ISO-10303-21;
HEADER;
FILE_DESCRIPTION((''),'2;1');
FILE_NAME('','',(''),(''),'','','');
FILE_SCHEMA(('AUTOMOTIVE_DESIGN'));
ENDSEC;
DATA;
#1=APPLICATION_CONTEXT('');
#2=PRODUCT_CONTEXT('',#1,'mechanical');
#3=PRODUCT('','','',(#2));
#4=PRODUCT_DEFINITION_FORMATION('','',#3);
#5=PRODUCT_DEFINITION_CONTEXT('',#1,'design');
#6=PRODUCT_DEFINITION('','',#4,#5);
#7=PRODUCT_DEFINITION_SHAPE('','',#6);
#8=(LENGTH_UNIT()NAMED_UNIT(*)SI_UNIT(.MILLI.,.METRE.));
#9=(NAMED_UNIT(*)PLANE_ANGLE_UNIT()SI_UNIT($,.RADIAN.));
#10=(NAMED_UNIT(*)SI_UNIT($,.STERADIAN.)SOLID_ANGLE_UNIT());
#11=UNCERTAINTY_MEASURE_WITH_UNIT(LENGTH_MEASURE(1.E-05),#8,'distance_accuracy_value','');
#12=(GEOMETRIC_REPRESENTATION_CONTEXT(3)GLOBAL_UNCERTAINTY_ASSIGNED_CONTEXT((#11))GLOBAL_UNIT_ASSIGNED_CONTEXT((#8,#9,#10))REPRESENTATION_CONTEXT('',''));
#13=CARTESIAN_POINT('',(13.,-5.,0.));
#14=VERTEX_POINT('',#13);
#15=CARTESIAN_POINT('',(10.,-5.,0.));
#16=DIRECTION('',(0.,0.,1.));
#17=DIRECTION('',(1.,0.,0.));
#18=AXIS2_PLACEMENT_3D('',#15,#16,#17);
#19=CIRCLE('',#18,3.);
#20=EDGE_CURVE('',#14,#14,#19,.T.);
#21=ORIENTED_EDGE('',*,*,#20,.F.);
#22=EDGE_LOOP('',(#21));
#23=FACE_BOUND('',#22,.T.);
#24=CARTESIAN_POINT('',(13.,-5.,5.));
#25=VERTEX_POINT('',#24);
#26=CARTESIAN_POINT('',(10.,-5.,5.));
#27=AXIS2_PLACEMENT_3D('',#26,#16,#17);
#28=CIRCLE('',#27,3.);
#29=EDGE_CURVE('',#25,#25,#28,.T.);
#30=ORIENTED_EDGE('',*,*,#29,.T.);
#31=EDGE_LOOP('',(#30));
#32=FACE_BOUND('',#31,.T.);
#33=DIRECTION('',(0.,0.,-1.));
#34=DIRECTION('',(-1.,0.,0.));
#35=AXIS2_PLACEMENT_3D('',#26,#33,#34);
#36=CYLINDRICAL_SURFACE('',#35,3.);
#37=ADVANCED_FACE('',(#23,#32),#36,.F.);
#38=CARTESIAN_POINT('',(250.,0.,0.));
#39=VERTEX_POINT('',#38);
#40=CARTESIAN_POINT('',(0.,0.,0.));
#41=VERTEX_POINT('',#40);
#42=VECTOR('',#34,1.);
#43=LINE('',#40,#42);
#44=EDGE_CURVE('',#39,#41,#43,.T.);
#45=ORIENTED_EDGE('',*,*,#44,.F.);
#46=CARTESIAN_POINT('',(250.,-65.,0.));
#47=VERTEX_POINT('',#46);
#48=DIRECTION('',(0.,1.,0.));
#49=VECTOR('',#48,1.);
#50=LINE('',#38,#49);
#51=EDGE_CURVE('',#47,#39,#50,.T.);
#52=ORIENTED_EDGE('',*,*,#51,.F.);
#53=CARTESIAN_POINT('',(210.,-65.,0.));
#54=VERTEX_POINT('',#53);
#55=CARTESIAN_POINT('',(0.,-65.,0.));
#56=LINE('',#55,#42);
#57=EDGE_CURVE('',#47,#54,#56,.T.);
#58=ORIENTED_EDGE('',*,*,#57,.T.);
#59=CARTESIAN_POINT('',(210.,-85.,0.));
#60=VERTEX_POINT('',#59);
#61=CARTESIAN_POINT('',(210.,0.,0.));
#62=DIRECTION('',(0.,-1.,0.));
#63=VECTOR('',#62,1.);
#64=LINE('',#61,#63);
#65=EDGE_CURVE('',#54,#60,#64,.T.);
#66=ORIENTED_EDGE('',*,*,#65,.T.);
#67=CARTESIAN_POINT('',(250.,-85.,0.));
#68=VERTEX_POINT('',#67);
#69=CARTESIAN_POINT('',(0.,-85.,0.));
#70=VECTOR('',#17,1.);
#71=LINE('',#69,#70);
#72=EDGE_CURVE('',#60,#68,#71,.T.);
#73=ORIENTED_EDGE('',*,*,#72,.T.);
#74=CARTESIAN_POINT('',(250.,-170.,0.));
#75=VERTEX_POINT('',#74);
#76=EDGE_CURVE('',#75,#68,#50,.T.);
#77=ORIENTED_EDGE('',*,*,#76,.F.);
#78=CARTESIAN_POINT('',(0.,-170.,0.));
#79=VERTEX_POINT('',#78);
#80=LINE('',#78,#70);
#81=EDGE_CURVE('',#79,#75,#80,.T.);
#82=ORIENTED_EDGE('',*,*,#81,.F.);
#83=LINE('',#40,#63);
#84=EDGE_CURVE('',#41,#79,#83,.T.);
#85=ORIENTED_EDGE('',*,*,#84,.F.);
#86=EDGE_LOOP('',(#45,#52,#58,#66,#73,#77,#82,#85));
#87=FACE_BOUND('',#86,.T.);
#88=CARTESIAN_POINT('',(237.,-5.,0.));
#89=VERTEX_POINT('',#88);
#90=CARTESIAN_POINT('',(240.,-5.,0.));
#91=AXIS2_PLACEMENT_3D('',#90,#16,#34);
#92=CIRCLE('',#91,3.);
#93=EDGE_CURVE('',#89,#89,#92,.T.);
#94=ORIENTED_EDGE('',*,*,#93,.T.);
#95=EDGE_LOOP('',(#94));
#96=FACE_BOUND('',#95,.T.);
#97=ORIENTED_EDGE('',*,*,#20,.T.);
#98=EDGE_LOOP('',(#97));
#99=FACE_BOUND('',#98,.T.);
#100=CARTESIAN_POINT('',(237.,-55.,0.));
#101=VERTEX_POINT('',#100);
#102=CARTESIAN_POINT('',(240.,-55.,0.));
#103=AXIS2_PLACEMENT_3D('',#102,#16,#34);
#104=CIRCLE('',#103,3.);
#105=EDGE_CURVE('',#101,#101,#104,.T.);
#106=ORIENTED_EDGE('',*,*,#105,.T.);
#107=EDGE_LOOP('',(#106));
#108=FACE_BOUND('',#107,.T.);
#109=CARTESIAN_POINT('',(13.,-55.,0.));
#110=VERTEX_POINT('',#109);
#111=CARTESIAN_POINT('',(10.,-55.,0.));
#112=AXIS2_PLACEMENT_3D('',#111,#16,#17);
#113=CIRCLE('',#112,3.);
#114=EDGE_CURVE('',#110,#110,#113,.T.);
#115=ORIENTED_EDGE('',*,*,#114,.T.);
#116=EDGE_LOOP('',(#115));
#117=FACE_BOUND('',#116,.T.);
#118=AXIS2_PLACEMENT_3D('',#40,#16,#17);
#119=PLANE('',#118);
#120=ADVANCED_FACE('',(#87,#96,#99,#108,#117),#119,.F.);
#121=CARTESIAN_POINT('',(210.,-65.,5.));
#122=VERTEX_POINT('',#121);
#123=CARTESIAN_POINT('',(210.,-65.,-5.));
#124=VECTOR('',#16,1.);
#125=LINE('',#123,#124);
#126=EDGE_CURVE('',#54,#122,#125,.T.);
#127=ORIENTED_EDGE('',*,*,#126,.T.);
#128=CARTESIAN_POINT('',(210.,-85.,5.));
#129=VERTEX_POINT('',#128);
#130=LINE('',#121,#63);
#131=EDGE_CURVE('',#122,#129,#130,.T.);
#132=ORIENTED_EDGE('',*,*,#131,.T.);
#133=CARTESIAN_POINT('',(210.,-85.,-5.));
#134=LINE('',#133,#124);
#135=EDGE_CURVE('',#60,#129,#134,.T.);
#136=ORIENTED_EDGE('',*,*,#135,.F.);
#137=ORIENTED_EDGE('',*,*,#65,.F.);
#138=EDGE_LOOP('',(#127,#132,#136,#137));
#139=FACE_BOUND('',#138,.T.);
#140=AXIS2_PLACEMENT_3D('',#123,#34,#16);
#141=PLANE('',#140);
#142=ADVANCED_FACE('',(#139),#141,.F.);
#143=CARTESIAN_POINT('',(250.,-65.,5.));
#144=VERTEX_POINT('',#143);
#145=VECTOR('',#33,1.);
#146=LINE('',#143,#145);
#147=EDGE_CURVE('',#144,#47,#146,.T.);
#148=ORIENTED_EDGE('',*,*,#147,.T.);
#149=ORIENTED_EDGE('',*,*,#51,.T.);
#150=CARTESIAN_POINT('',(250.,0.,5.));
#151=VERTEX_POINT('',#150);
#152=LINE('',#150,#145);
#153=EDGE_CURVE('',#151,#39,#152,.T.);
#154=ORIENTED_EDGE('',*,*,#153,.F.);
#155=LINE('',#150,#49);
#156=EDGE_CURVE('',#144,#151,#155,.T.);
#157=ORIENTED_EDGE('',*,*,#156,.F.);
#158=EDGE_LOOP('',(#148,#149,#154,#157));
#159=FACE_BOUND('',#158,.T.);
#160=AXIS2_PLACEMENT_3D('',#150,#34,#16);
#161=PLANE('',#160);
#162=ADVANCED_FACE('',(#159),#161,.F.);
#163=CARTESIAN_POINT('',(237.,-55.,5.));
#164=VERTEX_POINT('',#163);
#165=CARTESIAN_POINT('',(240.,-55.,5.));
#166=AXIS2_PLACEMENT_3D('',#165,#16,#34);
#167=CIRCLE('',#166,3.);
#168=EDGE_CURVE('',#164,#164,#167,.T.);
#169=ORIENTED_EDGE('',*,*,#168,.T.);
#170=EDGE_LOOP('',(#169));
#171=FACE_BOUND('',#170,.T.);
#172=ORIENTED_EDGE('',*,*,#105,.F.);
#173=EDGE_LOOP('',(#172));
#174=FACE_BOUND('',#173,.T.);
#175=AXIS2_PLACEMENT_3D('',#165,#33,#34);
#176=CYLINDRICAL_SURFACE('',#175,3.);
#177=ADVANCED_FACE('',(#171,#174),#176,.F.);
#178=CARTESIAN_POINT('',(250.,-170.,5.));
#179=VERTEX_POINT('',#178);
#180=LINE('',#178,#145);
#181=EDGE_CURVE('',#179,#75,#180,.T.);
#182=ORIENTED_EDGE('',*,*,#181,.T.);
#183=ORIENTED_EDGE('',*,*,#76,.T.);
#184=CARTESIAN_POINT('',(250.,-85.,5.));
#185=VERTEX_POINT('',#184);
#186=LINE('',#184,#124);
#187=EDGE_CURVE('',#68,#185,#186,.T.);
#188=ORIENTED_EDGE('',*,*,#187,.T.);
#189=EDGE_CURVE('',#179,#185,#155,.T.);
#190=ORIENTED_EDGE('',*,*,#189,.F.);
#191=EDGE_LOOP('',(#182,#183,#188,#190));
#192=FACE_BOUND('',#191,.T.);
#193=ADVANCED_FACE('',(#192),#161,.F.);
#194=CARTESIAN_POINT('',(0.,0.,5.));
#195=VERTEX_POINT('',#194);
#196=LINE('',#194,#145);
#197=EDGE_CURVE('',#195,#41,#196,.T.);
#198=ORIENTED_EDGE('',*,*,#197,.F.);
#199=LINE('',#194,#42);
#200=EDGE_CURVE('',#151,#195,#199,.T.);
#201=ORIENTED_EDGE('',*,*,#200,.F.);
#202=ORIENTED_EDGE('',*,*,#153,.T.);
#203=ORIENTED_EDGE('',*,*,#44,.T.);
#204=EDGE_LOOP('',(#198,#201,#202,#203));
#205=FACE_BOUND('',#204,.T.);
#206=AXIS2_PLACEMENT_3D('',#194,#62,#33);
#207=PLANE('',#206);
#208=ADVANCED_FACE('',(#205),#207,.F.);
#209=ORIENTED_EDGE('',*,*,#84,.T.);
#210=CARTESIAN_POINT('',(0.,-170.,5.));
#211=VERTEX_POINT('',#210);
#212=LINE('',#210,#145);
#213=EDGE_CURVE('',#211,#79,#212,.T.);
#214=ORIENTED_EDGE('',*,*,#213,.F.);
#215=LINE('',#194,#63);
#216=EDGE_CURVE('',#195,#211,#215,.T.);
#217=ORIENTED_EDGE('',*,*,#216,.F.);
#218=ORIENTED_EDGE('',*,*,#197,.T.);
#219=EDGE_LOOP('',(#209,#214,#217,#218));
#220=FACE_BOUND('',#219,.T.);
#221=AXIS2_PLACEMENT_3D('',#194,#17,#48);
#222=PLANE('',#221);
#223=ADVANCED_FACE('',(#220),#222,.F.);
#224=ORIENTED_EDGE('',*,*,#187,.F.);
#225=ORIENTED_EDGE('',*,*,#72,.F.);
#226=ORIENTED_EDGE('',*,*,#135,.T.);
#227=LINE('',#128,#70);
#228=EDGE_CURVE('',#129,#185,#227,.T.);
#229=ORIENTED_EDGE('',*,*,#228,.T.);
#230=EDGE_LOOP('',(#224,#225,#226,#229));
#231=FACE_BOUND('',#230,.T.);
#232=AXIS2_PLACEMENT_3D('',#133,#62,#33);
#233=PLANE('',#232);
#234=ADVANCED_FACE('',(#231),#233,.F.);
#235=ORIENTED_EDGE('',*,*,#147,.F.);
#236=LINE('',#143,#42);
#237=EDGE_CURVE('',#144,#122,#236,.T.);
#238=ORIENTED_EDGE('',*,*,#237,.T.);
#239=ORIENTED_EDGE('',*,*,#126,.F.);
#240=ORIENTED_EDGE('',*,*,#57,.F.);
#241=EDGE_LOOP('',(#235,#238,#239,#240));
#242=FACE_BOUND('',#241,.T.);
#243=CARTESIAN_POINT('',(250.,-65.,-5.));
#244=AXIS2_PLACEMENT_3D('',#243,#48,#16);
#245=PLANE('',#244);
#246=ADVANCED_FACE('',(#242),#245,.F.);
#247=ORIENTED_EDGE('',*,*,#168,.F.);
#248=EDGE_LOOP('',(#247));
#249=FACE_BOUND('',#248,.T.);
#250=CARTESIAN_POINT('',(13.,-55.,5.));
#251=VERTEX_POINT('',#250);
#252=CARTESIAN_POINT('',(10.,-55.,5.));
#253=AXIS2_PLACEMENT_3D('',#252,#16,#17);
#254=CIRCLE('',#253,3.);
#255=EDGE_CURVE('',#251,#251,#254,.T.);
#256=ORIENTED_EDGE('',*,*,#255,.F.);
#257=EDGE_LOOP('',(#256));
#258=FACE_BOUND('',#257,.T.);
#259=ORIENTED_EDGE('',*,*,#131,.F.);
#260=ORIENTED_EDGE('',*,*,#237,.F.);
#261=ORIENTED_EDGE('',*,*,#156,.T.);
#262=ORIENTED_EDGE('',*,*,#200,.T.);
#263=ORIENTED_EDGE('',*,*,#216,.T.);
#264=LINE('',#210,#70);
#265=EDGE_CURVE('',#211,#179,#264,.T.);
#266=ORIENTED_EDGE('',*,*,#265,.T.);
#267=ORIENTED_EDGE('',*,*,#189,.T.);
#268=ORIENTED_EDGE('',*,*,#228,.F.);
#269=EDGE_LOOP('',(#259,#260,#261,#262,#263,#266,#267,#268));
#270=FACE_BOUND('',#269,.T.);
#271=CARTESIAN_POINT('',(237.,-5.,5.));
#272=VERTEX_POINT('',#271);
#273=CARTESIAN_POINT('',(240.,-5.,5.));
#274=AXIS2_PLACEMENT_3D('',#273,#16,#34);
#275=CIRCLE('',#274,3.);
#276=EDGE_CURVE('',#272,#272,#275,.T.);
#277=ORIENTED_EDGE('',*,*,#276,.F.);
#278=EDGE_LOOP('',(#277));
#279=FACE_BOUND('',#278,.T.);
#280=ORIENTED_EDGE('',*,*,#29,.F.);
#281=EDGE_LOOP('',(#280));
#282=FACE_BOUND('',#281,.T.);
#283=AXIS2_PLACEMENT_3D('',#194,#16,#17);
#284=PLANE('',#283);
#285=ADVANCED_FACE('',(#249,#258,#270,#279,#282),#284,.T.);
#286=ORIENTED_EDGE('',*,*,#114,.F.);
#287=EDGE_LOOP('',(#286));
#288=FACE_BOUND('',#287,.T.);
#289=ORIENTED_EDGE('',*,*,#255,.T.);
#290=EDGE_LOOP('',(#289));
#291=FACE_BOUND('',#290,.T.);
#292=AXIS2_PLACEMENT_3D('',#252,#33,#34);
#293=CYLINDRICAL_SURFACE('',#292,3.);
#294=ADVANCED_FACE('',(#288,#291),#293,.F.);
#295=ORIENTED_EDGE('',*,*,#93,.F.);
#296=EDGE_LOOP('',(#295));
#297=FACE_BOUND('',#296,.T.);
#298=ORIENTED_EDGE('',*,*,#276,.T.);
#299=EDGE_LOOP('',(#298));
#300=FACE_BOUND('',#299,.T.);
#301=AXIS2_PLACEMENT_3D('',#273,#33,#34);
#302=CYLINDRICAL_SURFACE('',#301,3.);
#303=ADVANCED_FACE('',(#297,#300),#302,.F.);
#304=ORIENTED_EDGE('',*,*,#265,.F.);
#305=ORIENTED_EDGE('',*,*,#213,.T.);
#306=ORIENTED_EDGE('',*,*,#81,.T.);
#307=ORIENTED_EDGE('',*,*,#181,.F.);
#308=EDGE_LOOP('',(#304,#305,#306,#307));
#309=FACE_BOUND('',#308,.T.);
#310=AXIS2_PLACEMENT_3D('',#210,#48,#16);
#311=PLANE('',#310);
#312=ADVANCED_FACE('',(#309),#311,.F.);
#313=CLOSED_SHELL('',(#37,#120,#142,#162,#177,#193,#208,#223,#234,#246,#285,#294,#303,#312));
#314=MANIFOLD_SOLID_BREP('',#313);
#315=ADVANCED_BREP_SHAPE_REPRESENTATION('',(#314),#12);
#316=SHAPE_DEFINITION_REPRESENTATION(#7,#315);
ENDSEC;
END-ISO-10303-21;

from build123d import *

# Parameters (mm, degrees)
ESQUISSE1_W             = 250
ESQUISSE1_H             = 170
ESQUISSE1_R             = 3
BOSS_EXTRU_1_DEPTH      = 5
ESQUISSE4_W             = 40
ESQUISSE4_H             = 20
ENL_V_MAT_EXTRU_1_DEPTH = 10


with BuildPart() as part:
    # Esquisse1 → Boss.-Extru.1 (new body)
    with BuildSketch(Plane.XY):
        with Locations((125, -85)):
            Rectangle(ESQUISSE1_W, ESQUISSE1_H)
        with Locations((10, -55)):
            Circle(ESQUISSE1_R, mode=Mode.SUBTRACT)
        with Locations((10, -5)):
            Circle(ESQUISSE1_R, mode=Mode.SUBTRACT)
        with Locations(Location((240, -55, 0), (0, 0, 180))):
            Circle(ESQUISSE1_R, mode=Mode.SUBTRACT)
        with Locations(Location((240, -5, 0), (0, 0, 180))):
            Circle(ESQUISSE1_R, mode=Mode.SUBTRACT)
    extrude(amount=BOSS_EXTRU_1_DEPTH)

    # Esquisse4 → Enlèv. mat.-Extru.1 (cut)
    with BuildSketch(Plane.XY.offset(5)):
        with Locations((230, -75)):
            Rectangle(ESQUISSE4_W, ESQUISSE4_H)
    extrude(amount=-ENL_V_MAT_EXTRU_1_DEPTH, mode=Mode.SUBTRACT)


solid = part.part
